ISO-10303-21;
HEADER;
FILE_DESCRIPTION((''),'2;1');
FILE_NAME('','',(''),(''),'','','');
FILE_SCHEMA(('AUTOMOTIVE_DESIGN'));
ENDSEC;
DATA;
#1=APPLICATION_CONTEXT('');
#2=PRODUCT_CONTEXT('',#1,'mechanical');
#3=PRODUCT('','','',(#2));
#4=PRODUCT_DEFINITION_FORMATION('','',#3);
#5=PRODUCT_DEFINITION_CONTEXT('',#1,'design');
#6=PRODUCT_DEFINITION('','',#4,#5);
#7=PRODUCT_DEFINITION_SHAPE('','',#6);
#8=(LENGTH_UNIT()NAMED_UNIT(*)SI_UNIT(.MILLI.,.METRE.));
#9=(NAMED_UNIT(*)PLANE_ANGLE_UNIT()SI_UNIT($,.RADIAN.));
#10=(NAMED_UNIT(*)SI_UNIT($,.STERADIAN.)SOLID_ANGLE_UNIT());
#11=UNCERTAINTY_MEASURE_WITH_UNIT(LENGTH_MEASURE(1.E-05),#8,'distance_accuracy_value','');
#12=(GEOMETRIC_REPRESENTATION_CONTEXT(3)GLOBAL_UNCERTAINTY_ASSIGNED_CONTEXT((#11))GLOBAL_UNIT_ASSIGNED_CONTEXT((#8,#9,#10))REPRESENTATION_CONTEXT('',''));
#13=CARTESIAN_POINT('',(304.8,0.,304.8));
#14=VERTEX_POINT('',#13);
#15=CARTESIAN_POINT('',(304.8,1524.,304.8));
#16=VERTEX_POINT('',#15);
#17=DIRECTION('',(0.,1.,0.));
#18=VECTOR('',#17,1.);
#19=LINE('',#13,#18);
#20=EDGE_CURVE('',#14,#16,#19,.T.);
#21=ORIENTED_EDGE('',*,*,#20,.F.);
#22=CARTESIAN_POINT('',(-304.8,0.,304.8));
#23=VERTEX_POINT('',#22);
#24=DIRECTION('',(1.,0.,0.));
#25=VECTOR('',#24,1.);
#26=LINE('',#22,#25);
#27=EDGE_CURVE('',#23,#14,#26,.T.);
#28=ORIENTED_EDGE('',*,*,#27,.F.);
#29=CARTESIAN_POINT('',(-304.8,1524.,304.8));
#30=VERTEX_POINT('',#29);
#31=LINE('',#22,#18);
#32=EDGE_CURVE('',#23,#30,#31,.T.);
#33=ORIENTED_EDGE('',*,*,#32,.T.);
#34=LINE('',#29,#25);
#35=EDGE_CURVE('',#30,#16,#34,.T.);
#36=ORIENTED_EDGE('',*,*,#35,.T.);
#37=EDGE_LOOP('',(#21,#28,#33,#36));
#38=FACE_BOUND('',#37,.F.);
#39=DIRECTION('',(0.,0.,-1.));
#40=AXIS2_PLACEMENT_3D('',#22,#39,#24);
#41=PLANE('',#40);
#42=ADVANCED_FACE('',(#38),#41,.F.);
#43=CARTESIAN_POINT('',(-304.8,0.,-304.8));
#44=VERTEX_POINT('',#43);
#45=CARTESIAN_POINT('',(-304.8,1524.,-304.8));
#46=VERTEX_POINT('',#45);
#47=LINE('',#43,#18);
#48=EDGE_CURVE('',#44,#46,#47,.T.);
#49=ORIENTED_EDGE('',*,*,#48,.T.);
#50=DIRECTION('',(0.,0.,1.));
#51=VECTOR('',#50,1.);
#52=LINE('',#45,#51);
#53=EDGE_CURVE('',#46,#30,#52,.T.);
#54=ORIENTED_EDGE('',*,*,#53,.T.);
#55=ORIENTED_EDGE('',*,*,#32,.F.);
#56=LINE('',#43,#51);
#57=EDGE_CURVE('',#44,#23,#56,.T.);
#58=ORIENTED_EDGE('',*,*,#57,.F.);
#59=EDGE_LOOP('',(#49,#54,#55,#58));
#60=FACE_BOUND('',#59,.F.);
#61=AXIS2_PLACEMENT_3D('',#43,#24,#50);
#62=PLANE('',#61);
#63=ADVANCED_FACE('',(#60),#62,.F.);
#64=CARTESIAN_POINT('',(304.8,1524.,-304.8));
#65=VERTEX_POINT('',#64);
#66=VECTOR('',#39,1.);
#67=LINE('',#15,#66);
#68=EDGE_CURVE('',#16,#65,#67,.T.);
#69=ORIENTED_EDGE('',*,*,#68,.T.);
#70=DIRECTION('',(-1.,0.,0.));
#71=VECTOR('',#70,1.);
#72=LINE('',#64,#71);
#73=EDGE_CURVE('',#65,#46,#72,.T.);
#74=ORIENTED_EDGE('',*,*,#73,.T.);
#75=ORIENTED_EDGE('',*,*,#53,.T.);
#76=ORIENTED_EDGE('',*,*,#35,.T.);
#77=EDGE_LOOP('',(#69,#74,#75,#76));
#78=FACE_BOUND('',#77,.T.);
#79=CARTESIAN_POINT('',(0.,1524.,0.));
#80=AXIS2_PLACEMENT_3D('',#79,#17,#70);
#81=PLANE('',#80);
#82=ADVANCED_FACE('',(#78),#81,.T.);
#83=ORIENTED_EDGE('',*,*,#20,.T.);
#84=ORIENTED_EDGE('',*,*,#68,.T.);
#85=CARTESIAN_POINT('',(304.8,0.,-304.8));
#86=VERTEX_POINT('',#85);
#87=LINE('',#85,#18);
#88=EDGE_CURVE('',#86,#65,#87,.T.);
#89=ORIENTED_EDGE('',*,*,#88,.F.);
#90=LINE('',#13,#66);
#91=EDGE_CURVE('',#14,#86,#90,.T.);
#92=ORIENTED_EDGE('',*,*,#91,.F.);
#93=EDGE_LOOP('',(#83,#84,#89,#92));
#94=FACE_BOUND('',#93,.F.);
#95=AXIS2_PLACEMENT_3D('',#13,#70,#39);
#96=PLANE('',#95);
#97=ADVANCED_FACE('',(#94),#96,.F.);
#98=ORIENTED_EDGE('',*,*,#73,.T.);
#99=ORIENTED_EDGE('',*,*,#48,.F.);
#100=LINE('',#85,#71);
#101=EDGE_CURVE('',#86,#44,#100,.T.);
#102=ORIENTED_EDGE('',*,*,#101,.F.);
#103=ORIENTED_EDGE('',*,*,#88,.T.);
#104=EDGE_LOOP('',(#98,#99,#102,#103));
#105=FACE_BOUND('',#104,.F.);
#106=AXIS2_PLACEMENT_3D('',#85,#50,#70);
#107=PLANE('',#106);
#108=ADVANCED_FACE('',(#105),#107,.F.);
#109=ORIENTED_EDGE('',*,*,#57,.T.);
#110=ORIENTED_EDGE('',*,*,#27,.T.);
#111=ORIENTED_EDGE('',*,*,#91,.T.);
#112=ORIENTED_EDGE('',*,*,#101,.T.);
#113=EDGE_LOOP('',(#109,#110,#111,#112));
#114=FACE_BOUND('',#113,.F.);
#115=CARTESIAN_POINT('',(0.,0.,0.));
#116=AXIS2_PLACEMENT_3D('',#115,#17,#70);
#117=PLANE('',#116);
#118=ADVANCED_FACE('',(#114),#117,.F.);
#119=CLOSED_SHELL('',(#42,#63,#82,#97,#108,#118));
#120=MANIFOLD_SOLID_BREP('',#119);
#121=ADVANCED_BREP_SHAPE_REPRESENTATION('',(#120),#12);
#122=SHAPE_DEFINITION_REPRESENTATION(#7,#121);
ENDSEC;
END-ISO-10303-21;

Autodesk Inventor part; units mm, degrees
ref_plane "YZ Plane" through (0, 0, 0) normal (1, 0, 0) x (0, 1, 0)
ref_plane "XZ Plane" through (0, 0, 0) normal (0, 1, 0) x (-1, 0, 0)
ref_plane "XY Plane" through (0, 0, 0) normal (0, 0, 1) x (1, 0, 0)
sketch "Sketch1" plane through (0, 0, 0) normal (0, 1, 0) x (-1, 0, 0)
  line L0 (-304.8, -304.8) -> (304.8, -304.8)
  line L1 (304.8, -304.8) -> (304.8, 304.8)
  line L2 (304.8, 304.8) -> (-304.8, 304.8)
  line L3 (-304.8, 304.8) -> (-304.8, -304.8)
  line L4 (-304.8, -304.8) -> (304.8, 304.8) construction
  line L5 (304.8, -304.8) -> (-304.8, 304.8) construction
  point P0 (0, 0)
  dimension "d0" = 609.6
  dimension "d1" = 609.6
extrude "Extrusion1" add sketch "Sketch1" along normal blind 1524
properties part number "ElectronicsRack"
